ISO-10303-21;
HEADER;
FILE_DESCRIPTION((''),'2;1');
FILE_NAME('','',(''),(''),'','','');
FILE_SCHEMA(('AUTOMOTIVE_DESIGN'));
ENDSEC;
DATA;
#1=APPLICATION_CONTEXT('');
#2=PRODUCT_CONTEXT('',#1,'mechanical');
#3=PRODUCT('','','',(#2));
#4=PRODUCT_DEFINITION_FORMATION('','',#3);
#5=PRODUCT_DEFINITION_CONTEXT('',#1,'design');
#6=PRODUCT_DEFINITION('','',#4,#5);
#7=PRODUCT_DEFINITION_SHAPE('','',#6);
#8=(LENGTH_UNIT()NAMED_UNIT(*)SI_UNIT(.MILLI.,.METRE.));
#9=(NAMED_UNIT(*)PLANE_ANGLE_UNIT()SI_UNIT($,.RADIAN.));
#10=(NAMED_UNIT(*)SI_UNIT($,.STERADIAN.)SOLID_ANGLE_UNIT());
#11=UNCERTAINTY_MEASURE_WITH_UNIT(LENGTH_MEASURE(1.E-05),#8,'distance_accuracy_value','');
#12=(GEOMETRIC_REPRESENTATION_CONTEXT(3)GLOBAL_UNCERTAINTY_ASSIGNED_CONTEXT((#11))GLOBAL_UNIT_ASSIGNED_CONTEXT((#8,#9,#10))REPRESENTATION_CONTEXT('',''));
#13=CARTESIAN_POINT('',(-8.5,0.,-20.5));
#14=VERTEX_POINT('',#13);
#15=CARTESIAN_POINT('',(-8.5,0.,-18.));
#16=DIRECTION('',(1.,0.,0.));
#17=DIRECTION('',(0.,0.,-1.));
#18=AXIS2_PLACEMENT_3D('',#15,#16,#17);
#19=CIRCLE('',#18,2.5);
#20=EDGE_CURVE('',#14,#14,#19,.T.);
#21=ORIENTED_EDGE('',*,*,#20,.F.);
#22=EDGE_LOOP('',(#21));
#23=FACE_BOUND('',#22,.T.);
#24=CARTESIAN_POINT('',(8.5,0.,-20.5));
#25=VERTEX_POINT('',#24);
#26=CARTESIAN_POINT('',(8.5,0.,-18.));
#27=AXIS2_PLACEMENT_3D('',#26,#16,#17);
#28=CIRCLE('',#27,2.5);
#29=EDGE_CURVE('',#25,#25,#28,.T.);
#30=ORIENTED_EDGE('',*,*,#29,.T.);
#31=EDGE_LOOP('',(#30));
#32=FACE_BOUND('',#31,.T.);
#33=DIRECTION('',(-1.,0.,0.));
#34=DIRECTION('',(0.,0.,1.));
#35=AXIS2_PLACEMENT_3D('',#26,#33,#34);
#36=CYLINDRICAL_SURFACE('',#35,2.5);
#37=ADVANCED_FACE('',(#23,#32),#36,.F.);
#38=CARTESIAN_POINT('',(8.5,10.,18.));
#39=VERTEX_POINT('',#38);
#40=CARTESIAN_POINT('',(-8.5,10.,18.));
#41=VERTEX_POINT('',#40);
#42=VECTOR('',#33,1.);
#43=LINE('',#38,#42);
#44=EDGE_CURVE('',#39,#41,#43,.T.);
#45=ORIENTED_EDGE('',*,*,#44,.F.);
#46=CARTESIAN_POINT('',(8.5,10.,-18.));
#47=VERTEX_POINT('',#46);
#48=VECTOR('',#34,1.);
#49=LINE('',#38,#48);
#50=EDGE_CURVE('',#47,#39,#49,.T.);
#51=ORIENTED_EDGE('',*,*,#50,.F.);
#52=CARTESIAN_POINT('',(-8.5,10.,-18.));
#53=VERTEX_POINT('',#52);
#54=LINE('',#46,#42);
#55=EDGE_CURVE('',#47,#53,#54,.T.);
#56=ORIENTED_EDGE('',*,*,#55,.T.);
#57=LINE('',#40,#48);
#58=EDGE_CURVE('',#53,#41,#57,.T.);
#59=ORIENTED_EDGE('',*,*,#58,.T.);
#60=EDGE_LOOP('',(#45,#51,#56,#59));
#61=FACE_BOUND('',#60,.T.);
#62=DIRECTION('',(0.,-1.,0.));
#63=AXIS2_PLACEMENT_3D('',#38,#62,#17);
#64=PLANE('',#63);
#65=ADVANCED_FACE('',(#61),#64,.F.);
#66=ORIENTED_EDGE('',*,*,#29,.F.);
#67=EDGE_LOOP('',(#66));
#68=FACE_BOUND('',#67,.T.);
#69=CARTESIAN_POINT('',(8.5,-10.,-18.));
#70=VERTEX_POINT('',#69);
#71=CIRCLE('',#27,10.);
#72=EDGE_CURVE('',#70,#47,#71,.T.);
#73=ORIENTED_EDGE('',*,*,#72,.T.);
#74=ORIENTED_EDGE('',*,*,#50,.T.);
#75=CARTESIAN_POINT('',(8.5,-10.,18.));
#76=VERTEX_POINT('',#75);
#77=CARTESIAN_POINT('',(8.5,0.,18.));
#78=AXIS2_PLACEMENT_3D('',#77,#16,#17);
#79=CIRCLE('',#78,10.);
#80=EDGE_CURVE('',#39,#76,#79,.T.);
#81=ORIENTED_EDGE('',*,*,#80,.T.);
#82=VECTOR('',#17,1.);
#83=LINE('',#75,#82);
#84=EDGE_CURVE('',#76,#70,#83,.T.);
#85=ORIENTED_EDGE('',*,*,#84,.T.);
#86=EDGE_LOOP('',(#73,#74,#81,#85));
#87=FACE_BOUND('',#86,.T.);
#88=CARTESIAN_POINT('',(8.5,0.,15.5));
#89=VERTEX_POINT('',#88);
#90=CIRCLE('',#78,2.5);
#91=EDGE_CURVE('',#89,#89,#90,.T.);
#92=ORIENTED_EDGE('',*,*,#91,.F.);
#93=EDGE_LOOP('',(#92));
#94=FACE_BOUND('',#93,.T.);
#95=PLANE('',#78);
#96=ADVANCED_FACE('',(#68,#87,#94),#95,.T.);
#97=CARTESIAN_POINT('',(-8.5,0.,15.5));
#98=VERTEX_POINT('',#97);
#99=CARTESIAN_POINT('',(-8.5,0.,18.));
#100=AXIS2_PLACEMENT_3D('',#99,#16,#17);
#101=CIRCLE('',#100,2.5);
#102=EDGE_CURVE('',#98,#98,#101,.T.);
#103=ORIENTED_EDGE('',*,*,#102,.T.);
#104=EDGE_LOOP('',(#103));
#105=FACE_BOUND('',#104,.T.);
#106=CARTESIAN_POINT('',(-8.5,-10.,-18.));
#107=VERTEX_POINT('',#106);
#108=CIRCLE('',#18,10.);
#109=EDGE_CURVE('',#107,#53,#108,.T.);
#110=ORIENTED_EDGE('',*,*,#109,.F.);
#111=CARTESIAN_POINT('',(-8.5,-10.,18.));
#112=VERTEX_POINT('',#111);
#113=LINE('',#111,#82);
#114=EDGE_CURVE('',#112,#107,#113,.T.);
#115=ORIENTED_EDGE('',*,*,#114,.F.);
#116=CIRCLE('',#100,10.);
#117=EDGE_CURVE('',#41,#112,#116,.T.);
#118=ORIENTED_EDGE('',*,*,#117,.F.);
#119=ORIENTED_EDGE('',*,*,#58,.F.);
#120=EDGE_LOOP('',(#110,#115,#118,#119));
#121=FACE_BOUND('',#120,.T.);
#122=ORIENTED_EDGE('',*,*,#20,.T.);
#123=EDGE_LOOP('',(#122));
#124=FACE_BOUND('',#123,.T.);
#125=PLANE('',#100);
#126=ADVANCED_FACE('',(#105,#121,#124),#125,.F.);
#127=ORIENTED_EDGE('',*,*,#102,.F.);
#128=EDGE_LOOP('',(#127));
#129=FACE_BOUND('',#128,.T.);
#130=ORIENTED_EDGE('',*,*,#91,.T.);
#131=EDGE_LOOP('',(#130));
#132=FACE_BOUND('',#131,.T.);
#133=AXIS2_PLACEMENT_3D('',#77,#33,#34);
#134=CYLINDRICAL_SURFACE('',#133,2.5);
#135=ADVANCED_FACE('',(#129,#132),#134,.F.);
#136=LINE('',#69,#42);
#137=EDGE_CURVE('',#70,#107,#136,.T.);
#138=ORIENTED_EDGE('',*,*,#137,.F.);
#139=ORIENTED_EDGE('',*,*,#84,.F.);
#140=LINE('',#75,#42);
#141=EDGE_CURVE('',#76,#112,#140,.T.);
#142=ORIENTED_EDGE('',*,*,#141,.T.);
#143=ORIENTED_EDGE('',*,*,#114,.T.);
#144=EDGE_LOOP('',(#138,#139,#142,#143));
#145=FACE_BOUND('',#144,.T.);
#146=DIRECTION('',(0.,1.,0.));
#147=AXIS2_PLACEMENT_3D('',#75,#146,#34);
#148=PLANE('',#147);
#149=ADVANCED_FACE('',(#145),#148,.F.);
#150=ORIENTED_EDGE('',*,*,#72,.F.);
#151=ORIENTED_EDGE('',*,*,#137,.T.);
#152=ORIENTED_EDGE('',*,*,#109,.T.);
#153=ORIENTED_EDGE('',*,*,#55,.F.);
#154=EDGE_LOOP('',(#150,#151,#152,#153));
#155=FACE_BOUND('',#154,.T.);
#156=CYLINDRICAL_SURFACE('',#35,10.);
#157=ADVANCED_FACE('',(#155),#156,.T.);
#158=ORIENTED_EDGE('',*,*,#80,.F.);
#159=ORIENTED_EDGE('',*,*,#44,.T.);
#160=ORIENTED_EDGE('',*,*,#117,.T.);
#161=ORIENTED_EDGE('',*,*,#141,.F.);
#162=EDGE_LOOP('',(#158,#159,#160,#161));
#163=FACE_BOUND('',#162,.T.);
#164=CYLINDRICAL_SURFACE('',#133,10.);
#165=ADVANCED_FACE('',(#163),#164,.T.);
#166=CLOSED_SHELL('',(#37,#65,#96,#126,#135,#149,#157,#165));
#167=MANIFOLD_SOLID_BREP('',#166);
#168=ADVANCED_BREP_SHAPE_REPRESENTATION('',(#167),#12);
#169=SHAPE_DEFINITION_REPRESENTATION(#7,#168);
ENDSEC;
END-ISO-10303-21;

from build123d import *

# Parameters (mm, degrees)
CROQUIS1_R              = 2.5
SALIENTE_EXTRUIR1_DEPTH = 8.5


with BuildPart() as part:
    # Croquis1 → Saliente-Extruir1 (new, symmetric)
    with BuildSketch(Plane(origin=(0, 0, 0), x_dir=(0, 0, -1), z_dir=(1, 0, 0))):
        with BuildLine():
            Line((-18, 10), (18, 10))
            ThreePointArc((18, 10), (28, 0), (18, -10))
            Line((18, -10), (-18, -10))
            ThreePointArc((-18, -10), (-28, 0), (-18, 10))
        make_face()
        with Locations((-18, 0)):
            Circle(CROQUIS1_R, mode=Mode.SUBTRACT)
        with Locations((18, 0)):
            Circle(CROQUIS1_R, mode=Mode.SUBTRACT)
    extrude(amount=SALIENTE_EXTRUIR1_DEPTH, both=True)


solid = part.part
